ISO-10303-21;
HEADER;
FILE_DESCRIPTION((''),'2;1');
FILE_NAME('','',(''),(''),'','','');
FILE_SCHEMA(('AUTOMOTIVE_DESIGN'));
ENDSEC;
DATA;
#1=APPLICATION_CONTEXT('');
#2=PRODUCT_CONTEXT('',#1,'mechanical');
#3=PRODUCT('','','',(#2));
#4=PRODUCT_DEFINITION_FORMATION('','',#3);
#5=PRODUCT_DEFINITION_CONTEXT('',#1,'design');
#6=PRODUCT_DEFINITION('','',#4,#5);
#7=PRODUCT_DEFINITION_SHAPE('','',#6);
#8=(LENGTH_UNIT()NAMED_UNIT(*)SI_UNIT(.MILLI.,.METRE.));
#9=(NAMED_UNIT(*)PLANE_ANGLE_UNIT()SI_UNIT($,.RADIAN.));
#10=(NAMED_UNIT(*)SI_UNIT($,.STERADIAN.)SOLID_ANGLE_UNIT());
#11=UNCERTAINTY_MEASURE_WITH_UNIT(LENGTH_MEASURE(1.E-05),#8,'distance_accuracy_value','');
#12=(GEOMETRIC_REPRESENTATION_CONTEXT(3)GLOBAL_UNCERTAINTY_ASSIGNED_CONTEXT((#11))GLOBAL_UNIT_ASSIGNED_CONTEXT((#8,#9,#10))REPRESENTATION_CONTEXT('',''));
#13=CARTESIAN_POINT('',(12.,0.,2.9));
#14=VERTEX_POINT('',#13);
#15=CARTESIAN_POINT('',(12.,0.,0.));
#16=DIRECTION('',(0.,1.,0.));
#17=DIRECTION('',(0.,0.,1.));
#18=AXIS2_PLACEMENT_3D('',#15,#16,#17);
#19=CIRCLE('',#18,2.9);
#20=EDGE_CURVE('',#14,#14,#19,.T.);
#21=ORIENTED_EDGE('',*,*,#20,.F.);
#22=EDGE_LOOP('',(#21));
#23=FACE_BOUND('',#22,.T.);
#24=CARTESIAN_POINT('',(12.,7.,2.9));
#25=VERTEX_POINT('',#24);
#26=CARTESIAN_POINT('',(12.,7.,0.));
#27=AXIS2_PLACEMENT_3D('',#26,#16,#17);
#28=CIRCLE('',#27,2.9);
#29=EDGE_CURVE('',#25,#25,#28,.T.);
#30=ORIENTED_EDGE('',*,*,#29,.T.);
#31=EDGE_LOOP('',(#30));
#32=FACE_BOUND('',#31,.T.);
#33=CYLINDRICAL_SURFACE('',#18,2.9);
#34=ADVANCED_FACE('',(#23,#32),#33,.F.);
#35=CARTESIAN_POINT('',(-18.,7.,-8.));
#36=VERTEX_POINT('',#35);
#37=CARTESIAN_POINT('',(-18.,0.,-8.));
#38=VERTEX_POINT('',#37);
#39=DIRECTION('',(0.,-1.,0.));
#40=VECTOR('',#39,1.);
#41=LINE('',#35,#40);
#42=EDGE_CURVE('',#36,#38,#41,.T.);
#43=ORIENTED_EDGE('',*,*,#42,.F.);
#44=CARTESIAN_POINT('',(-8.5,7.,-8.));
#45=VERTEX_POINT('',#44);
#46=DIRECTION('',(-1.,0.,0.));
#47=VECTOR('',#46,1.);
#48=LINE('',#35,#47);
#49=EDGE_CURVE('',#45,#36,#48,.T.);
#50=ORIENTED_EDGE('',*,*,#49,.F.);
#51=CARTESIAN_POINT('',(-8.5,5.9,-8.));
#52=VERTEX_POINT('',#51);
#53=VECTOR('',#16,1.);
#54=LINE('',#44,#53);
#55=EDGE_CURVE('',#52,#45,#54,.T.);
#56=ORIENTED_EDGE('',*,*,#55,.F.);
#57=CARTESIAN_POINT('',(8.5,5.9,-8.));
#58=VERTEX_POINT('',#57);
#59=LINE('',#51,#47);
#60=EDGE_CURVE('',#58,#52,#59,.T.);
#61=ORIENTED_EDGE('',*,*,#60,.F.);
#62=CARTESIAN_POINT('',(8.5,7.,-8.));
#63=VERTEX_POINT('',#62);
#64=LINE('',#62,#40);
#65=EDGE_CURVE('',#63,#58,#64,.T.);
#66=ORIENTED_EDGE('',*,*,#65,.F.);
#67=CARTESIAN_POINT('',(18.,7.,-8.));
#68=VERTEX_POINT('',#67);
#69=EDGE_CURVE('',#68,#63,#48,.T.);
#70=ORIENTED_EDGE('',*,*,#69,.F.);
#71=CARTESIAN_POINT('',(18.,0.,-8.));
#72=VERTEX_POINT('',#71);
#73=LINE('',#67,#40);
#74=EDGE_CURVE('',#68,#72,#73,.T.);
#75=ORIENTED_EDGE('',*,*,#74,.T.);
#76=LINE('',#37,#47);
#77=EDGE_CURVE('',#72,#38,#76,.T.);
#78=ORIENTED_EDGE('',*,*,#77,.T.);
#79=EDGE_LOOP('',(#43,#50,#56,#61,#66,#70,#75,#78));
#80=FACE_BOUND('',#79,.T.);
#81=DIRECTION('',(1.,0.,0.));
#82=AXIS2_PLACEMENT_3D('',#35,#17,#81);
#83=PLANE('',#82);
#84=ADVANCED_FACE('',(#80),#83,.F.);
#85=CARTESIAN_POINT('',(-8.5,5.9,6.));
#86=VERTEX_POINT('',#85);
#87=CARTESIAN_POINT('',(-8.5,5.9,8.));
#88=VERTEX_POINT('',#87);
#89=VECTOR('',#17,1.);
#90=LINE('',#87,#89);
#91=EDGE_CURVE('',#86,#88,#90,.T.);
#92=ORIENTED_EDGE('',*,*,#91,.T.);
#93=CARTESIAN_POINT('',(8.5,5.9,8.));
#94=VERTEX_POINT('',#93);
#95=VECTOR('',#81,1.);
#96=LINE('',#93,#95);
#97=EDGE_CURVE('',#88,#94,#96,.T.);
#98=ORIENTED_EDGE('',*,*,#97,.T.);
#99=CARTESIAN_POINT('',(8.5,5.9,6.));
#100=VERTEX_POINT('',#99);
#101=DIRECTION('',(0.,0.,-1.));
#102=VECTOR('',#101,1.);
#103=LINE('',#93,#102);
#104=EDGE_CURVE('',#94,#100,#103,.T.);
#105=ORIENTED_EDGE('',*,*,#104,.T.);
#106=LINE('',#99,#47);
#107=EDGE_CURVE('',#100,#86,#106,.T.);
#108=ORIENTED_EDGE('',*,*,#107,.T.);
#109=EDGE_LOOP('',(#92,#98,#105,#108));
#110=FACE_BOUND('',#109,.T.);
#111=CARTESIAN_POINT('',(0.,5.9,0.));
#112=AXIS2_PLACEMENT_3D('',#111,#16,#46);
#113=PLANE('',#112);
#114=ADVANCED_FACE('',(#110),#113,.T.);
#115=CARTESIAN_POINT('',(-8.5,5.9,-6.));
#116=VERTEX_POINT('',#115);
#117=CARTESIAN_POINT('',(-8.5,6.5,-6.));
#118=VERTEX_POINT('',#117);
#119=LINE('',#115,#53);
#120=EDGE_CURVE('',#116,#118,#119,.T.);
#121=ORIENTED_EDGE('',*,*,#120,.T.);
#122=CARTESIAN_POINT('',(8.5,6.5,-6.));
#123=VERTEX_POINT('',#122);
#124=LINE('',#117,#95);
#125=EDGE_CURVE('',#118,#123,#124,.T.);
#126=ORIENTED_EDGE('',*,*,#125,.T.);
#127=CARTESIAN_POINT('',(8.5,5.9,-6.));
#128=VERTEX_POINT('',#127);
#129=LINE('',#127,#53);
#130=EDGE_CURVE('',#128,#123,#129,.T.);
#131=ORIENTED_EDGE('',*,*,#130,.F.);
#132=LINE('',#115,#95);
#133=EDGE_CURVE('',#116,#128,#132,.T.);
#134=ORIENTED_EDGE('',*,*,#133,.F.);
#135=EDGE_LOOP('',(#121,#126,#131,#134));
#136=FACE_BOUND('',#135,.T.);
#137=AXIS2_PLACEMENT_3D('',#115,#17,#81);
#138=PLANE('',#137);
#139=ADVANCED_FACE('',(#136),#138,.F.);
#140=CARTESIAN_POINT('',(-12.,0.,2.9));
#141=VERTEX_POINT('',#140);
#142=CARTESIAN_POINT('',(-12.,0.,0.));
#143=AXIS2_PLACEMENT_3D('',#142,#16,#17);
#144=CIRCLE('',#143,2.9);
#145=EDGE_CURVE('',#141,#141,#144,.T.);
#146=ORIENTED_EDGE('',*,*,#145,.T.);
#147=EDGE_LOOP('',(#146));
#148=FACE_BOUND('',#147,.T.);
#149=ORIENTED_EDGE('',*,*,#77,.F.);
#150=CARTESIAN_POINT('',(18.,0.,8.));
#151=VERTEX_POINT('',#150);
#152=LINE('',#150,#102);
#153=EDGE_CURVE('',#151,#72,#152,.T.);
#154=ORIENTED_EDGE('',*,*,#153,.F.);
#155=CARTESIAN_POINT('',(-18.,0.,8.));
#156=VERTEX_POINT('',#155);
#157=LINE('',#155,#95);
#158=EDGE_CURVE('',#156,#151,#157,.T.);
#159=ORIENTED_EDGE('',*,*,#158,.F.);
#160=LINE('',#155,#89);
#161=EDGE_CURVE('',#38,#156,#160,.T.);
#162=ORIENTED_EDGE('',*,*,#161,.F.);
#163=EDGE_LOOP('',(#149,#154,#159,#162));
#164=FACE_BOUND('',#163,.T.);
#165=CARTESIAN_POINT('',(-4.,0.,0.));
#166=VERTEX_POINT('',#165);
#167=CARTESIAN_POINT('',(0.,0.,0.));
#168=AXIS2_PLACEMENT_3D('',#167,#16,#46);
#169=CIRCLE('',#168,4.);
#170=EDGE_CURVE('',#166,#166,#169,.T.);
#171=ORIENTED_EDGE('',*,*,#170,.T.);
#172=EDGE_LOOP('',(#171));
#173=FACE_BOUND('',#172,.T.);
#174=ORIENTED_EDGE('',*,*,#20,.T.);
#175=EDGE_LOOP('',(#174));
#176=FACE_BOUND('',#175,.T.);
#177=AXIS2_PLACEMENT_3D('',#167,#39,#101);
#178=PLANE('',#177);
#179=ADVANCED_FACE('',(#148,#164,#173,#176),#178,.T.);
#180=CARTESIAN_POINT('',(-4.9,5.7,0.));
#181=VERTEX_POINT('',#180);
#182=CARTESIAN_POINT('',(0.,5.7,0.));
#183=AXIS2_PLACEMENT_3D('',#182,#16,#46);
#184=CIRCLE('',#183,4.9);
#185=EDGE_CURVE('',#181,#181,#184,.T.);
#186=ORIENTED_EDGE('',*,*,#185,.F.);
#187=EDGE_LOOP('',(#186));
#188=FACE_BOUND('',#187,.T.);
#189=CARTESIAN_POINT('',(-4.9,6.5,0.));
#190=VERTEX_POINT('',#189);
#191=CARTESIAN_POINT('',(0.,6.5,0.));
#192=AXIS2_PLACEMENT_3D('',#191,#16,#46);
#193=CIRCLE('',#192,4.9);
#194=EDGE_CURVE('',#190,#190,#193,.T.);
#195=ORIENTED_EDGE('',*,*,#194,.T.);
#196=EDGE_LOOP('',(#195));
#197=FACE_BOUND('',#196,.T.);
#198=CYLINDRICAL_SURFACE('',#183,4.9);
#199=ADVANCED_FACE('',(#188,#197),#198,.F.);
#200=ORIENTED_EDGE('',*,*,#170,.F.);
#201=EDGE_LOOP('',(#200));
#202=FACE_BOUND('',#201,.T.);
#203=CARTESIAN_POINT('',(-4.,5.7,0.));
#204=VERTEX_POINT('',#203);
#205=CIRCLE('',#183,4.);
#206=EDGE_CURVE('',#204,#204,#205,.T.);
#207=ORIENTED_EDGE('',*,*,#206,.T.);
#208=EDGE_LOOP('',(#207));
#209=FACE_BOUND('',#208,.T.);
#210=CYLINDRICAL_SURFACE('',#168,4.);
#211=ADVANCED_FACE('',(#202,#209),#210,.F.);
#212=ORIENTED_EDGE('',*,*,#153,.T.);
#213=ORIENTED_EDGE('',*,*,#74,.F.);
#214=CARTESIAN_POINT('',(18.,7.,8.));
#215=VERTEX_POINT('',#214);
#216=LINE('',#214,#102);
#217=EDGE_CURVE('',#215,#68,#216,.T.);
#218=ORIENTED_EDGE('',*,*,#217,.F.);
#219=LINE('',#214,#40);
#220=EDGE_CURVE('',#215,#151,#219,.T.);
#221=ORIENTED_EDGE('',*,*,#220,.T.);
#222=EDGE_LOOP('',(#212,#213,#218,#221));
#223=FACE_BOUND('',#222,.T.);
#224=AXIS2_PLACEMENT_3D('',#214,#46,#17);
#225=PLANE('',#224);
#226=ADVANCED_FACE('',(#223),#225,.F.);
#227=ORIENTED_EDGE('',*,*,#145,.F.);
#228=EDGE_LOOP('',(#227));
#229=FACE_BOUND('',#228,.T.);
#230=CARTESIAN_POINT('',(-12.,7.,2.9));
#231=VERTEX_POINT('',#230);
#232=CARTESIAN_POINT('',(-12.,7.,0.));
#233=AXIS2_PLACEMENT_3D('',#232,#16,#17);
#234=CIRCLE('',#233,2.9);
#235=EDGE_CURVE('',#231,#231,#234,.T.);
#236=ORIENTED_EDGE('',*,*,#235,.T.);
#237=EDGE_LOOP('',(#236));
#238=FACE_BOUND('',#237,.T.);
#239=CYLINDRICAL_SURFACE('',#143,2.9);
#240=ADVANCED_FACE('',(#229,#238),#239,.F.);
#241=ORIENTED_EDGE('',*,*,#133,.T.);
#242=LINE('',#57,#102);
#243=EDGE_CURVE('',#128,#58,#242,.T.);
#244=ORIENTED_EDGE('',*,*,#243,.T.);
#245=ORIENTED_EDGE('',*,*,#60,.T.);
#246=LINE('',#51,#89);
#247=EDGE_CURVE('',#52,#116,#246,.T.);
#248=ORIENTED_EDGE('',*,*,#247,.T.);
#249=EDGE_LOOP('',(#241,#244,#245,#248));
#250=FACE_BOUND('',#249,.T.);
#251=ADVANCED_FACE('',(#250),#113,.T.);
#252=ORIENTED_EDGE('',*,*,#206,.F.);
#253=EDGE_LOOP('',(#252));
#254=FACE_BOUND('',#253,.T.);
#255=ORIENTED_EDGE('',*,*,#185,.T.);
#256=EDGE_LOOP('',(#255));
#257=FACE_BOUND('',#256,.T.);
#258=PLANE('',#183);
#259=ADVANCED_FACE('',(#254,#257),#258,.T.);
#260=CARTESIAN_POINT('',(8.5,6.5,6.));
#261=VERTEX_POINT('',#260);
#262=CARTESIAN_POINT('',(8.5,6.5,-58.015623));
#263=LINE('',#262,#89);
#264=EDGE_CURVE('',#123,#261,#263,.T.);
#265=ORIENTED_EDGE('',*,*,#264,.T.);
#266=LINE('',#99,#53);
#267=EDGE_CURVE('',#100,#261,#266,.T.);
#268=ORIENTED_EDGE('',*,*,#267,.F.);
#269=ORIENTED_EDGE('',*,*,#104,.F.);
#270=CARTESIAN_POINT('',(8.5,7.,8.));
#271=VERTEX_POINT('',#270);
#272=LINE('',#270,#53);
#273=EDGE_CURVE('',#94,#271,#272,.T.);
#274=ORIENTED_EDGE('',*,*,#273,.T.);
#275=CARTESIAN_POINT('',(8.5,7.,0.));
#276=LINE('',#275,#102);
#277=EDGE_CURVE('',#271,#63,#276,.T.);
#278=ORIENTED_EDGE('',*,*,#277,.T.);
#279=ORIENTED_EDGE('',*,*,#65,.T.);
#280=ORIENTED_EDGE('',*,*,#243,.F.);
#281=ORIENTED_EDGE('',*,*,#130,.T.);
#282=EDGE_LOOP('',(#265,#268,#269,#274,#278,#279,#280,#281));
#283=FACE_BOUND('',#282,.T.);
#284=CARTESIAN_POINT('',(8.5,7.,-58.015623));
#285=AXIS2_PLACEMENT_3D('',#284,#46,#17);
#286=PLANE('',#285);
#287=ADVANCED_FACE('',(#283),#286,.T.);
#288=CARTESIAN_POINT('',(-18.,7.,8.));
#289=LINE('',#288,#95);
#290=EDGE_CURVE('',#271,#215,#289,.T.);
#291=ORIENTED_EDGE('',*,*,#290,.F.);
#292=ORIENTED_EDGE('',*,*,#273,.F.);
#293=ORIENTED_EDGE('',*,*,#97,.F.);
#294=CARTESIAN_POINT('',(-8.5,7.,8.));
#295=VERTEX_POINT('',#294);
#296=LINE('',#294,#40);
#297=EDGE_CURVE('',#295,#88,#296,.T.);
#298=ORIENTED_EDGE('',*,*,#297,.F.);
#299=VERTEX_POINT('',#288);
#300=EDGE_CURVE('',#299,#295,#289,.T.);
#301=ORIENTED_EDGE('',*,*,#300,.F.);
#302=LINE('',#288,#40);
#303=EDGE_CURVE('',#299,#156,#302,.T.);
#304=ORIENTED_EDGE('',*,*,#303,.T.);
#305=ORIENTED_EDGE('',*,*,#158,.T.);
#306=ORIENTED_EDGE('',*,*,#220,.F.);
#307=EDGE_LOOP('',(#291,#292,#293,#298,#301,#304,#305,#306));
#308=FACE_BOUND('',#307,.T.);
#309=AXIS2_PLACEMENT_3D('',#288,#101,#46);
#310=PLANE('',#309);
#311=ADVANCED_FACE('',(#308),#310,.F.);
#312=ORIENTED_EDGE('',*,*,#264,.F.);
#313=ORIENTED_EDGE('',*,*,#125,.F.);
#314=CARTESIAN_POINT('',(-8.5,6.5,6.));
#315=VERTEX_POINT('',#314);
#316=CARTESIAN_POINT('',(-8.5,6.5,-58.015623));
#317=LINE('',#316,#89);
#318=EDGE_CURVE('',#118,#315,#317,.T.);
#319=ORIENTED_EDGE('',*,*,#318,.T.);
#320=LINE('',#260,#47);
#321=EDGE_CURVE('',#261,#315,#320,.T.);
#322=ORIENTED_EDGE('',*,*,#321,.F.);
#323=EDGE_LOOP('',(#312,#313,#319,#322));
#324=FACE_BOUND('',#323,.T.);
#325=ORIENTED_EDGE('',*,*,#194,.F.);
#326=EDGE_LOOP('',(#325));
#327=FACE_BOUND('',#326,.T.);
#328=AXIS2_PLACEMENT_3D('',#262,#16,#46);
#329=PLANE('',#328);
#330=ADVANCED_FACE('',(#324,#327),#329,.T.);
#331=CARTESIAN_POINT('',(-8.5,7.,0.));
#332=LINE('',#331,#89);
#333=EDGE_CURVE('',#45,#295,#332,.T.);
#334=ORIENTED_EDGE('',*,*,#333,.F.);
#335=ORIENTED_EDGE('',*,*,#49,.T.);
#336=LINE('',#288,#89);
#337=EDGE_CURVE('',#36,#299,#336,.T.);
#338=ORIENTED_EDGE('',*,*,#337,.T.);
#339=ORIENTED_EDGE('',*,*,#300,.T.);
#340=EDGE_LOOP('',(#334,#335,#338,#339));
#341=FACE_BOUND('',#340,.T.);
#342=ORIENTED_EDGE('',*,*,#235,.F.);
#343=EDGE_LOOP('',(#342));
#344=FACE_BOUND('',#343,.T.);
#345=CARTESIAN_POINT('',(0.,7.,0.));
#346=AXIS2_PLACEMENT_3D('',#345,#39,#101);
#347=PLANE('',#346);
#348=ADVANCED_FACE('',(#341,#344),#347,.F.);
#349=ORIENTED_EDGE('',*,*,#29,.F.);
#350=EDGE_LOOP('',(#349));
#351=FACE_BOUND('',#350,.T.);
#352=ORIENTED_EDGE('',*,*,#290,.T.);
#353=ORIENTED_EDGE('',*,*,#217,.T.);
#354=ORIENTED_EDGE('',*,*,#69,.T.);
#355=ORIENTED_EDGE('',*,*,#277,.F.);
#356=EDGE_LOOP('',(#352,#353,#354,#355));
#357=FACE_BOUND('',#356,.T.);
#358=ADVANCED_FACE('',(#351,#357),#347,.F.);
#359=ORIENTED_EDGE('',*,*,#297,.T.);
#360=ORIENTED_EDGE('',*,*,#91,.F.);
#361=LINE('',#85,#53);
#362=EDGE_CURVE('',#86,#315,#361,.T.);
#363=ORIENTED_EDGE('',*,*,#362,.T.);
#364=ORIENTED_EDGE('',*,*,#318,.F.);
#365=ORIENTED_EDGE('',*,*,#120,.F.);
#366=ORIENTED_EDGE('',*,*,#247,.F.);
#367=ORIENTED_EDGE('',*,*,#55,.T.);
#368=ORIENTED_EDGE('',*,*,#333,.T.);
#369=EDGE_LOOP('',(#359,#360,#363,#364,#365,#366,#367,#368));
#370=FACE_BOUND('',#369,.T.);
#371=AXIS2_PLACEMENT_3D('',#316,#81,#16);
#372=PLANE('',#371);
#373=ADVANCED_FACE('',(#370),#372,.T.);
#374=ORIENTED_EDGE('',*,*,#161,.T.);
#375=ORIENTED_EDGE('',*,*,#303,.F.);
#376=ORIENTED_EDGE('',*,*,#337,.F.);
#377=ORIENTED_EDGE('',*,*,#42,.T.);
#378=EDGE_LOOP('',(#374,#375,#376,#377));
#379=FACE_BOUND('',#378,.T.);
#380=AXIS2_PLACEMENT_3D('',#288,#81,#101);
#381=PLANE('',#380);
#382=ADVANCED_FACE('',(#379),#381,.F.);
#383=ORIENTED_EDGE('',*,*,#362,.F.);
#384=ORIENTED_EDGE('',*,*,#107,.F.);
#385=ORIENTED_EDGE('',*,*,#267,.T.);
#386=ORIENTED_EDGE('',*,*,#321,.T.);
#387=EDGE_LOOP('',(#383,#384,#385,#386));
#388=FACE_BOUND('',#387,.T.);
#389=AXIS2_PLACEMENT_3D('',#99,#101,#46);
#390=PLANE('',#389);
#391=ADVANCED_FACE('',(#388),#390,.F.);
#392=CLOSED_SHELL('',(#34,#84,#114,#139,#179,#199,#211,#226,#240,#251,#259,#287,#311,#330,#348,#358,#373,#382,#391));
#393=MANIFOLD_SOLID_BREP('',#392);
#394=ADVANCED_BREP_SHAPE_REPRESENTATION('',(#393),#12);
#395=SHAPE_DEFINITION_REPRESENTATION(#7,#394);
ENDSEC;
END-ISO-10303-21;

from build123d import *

# Parameters (mm, degrees)
SKETCH_1_W               = 36
SKETCH_1_H               = 16
EXTRUDE_1_DEPTH          = 7
CUT_EXTRUDE_1_DEPTH      = 26.079872408
CUT_EXTRUDE_1_DEPTH_BACK = 26.079872408
SKETCH_5_R               = 4.9
CUT_EXTRUDE_2_DEPTH      = 0.8
SKETCH_6_R               = 4
CUT_EXTRUDE_3_DEPTH      = 21.505852823
SKETCH_7_W               = 17
SKETCH_7_H               = 2
CUT_EXTRUDE_4_DEPTH      = 0.6
SKETCH_8_W               = 17
SKETCH_8_H               = 2
CUT_EXTRUDE_5_DEPTH      = 0.6
SKETCH_9_R               = 2.9
CUT_EXTRUDE_6_DEPTH      = 21.90454496


with BuildPart() as part:
    # 草图1 → 凸台-拉伸1 (new body)
    with BuildSketch(Plane(origin=(0, 0, 0), x_dir=(1, 0, 0), z_dir=(0, 1, 0))):
        Rectangle(SKETCH_1_W, SKETCH_1_H)
    extrude(amount=EXTRUDE_1_DEPTH)

    # 草图4 → 切除-拉伸1 (cut, two sides: drawn at the far end of the back side and taken through both)
    with BuildSketch(Plane(origin=(0, 0, -8), x_dir=(-1, 0, 0), z_dir=(0, 0, -1)).offset(-CUT_EXTRUDE_1_DEPTH_BACK)):
        Polygon((-8.5, 71.817880295), (-8.5, 7), (-8.5, 6.5), (8.5, 6.5), (8.5, 7), (8.5, 71.817880295), (8.5, 201.453640884), (-8.5, 201.453640884), align=None)
    extrude(amount=CUT_EXTRUDE_1_DEPTH + CUT_EXTRUDE_1_DEPTH_BACK, mode=Mode.SUBTRACT)

    # 草图5 → 切除-拉伸2 (cut)
    with BuildSketch(Plane(origin=(0, 6.5, 0), x_dir=(1, 0, 0), z_dir=(0, 1, 0))):
        with Locations(Location((0, 0, 0), (0, 0, 180))):
            Circle(SKETCH_5_R)
    extrude(amount=-CUT_EXTRUDE_2_DEPTH, mode=Mode.SUBTRACT)

    # 草图6 → 切除-拉伸3 (cut, through all)
    with BuildSketch(Plane(origin=(0, 5.7, 0), x_dir=(1, 0, 0), z_dir=(0, 1, 0))):
        with Locations(Location((0, 0, 0), (0, 0, 180))):
            Circle(SKETCH_6_R)
    extrude(amount=-CUT_EXTRUDE_3_DEPTH, mode=Mode.SUBTRACT)

    # 草图7 → 切除-拉伸4 (cut)
    with BuildSketch(Plane(origin=(0, 6.5, 0), x_dir=(1, 0, 0), z_dir=(0, 1, 0))):
        with Locations((0, 7)):
            Rectangle(SKETCH_7_W, SKETCH_7_H)
    extrude(amount=-CUT_EXTRUDE_4_DEPTH, mode=Mode.SUBTRACT)

    # 草图8 → 切除-拉伸5 (cut)
    with BuildSketch(Plane(origin=(0, 6.5, 0), x_dir=(1, 0, 0), z_dir=(0, 1, 0))):
        with Locations((0, -7)):
            Rectangle(SKETCH_8_W, SKETCH_8_H)
    extrude(amount=-CUT_EXTRUDE_5_DEPTH, mode=Mode.SUBTRACT)

    # 草图9 → 切除-拉伸6 (cut, through all)
    with BuildSketch(Plane(origin=(0, 7, 0), x_dir=(1, 0, 0), z_dir=(0, 1, 0))):
        with Locations(Location((-12, 0, 0), (0, 0, 270))):
            Circle(SKETCH_9_R)
        with Locations(Location((12, 0, 0), (0, 0, 270))):
            Circle(SKETCH_9_R)
    extrude(amount=-CUT_EXTRUDE_6_DEPTH, mode=Mode.SUBTRACT)


solid = part.part
